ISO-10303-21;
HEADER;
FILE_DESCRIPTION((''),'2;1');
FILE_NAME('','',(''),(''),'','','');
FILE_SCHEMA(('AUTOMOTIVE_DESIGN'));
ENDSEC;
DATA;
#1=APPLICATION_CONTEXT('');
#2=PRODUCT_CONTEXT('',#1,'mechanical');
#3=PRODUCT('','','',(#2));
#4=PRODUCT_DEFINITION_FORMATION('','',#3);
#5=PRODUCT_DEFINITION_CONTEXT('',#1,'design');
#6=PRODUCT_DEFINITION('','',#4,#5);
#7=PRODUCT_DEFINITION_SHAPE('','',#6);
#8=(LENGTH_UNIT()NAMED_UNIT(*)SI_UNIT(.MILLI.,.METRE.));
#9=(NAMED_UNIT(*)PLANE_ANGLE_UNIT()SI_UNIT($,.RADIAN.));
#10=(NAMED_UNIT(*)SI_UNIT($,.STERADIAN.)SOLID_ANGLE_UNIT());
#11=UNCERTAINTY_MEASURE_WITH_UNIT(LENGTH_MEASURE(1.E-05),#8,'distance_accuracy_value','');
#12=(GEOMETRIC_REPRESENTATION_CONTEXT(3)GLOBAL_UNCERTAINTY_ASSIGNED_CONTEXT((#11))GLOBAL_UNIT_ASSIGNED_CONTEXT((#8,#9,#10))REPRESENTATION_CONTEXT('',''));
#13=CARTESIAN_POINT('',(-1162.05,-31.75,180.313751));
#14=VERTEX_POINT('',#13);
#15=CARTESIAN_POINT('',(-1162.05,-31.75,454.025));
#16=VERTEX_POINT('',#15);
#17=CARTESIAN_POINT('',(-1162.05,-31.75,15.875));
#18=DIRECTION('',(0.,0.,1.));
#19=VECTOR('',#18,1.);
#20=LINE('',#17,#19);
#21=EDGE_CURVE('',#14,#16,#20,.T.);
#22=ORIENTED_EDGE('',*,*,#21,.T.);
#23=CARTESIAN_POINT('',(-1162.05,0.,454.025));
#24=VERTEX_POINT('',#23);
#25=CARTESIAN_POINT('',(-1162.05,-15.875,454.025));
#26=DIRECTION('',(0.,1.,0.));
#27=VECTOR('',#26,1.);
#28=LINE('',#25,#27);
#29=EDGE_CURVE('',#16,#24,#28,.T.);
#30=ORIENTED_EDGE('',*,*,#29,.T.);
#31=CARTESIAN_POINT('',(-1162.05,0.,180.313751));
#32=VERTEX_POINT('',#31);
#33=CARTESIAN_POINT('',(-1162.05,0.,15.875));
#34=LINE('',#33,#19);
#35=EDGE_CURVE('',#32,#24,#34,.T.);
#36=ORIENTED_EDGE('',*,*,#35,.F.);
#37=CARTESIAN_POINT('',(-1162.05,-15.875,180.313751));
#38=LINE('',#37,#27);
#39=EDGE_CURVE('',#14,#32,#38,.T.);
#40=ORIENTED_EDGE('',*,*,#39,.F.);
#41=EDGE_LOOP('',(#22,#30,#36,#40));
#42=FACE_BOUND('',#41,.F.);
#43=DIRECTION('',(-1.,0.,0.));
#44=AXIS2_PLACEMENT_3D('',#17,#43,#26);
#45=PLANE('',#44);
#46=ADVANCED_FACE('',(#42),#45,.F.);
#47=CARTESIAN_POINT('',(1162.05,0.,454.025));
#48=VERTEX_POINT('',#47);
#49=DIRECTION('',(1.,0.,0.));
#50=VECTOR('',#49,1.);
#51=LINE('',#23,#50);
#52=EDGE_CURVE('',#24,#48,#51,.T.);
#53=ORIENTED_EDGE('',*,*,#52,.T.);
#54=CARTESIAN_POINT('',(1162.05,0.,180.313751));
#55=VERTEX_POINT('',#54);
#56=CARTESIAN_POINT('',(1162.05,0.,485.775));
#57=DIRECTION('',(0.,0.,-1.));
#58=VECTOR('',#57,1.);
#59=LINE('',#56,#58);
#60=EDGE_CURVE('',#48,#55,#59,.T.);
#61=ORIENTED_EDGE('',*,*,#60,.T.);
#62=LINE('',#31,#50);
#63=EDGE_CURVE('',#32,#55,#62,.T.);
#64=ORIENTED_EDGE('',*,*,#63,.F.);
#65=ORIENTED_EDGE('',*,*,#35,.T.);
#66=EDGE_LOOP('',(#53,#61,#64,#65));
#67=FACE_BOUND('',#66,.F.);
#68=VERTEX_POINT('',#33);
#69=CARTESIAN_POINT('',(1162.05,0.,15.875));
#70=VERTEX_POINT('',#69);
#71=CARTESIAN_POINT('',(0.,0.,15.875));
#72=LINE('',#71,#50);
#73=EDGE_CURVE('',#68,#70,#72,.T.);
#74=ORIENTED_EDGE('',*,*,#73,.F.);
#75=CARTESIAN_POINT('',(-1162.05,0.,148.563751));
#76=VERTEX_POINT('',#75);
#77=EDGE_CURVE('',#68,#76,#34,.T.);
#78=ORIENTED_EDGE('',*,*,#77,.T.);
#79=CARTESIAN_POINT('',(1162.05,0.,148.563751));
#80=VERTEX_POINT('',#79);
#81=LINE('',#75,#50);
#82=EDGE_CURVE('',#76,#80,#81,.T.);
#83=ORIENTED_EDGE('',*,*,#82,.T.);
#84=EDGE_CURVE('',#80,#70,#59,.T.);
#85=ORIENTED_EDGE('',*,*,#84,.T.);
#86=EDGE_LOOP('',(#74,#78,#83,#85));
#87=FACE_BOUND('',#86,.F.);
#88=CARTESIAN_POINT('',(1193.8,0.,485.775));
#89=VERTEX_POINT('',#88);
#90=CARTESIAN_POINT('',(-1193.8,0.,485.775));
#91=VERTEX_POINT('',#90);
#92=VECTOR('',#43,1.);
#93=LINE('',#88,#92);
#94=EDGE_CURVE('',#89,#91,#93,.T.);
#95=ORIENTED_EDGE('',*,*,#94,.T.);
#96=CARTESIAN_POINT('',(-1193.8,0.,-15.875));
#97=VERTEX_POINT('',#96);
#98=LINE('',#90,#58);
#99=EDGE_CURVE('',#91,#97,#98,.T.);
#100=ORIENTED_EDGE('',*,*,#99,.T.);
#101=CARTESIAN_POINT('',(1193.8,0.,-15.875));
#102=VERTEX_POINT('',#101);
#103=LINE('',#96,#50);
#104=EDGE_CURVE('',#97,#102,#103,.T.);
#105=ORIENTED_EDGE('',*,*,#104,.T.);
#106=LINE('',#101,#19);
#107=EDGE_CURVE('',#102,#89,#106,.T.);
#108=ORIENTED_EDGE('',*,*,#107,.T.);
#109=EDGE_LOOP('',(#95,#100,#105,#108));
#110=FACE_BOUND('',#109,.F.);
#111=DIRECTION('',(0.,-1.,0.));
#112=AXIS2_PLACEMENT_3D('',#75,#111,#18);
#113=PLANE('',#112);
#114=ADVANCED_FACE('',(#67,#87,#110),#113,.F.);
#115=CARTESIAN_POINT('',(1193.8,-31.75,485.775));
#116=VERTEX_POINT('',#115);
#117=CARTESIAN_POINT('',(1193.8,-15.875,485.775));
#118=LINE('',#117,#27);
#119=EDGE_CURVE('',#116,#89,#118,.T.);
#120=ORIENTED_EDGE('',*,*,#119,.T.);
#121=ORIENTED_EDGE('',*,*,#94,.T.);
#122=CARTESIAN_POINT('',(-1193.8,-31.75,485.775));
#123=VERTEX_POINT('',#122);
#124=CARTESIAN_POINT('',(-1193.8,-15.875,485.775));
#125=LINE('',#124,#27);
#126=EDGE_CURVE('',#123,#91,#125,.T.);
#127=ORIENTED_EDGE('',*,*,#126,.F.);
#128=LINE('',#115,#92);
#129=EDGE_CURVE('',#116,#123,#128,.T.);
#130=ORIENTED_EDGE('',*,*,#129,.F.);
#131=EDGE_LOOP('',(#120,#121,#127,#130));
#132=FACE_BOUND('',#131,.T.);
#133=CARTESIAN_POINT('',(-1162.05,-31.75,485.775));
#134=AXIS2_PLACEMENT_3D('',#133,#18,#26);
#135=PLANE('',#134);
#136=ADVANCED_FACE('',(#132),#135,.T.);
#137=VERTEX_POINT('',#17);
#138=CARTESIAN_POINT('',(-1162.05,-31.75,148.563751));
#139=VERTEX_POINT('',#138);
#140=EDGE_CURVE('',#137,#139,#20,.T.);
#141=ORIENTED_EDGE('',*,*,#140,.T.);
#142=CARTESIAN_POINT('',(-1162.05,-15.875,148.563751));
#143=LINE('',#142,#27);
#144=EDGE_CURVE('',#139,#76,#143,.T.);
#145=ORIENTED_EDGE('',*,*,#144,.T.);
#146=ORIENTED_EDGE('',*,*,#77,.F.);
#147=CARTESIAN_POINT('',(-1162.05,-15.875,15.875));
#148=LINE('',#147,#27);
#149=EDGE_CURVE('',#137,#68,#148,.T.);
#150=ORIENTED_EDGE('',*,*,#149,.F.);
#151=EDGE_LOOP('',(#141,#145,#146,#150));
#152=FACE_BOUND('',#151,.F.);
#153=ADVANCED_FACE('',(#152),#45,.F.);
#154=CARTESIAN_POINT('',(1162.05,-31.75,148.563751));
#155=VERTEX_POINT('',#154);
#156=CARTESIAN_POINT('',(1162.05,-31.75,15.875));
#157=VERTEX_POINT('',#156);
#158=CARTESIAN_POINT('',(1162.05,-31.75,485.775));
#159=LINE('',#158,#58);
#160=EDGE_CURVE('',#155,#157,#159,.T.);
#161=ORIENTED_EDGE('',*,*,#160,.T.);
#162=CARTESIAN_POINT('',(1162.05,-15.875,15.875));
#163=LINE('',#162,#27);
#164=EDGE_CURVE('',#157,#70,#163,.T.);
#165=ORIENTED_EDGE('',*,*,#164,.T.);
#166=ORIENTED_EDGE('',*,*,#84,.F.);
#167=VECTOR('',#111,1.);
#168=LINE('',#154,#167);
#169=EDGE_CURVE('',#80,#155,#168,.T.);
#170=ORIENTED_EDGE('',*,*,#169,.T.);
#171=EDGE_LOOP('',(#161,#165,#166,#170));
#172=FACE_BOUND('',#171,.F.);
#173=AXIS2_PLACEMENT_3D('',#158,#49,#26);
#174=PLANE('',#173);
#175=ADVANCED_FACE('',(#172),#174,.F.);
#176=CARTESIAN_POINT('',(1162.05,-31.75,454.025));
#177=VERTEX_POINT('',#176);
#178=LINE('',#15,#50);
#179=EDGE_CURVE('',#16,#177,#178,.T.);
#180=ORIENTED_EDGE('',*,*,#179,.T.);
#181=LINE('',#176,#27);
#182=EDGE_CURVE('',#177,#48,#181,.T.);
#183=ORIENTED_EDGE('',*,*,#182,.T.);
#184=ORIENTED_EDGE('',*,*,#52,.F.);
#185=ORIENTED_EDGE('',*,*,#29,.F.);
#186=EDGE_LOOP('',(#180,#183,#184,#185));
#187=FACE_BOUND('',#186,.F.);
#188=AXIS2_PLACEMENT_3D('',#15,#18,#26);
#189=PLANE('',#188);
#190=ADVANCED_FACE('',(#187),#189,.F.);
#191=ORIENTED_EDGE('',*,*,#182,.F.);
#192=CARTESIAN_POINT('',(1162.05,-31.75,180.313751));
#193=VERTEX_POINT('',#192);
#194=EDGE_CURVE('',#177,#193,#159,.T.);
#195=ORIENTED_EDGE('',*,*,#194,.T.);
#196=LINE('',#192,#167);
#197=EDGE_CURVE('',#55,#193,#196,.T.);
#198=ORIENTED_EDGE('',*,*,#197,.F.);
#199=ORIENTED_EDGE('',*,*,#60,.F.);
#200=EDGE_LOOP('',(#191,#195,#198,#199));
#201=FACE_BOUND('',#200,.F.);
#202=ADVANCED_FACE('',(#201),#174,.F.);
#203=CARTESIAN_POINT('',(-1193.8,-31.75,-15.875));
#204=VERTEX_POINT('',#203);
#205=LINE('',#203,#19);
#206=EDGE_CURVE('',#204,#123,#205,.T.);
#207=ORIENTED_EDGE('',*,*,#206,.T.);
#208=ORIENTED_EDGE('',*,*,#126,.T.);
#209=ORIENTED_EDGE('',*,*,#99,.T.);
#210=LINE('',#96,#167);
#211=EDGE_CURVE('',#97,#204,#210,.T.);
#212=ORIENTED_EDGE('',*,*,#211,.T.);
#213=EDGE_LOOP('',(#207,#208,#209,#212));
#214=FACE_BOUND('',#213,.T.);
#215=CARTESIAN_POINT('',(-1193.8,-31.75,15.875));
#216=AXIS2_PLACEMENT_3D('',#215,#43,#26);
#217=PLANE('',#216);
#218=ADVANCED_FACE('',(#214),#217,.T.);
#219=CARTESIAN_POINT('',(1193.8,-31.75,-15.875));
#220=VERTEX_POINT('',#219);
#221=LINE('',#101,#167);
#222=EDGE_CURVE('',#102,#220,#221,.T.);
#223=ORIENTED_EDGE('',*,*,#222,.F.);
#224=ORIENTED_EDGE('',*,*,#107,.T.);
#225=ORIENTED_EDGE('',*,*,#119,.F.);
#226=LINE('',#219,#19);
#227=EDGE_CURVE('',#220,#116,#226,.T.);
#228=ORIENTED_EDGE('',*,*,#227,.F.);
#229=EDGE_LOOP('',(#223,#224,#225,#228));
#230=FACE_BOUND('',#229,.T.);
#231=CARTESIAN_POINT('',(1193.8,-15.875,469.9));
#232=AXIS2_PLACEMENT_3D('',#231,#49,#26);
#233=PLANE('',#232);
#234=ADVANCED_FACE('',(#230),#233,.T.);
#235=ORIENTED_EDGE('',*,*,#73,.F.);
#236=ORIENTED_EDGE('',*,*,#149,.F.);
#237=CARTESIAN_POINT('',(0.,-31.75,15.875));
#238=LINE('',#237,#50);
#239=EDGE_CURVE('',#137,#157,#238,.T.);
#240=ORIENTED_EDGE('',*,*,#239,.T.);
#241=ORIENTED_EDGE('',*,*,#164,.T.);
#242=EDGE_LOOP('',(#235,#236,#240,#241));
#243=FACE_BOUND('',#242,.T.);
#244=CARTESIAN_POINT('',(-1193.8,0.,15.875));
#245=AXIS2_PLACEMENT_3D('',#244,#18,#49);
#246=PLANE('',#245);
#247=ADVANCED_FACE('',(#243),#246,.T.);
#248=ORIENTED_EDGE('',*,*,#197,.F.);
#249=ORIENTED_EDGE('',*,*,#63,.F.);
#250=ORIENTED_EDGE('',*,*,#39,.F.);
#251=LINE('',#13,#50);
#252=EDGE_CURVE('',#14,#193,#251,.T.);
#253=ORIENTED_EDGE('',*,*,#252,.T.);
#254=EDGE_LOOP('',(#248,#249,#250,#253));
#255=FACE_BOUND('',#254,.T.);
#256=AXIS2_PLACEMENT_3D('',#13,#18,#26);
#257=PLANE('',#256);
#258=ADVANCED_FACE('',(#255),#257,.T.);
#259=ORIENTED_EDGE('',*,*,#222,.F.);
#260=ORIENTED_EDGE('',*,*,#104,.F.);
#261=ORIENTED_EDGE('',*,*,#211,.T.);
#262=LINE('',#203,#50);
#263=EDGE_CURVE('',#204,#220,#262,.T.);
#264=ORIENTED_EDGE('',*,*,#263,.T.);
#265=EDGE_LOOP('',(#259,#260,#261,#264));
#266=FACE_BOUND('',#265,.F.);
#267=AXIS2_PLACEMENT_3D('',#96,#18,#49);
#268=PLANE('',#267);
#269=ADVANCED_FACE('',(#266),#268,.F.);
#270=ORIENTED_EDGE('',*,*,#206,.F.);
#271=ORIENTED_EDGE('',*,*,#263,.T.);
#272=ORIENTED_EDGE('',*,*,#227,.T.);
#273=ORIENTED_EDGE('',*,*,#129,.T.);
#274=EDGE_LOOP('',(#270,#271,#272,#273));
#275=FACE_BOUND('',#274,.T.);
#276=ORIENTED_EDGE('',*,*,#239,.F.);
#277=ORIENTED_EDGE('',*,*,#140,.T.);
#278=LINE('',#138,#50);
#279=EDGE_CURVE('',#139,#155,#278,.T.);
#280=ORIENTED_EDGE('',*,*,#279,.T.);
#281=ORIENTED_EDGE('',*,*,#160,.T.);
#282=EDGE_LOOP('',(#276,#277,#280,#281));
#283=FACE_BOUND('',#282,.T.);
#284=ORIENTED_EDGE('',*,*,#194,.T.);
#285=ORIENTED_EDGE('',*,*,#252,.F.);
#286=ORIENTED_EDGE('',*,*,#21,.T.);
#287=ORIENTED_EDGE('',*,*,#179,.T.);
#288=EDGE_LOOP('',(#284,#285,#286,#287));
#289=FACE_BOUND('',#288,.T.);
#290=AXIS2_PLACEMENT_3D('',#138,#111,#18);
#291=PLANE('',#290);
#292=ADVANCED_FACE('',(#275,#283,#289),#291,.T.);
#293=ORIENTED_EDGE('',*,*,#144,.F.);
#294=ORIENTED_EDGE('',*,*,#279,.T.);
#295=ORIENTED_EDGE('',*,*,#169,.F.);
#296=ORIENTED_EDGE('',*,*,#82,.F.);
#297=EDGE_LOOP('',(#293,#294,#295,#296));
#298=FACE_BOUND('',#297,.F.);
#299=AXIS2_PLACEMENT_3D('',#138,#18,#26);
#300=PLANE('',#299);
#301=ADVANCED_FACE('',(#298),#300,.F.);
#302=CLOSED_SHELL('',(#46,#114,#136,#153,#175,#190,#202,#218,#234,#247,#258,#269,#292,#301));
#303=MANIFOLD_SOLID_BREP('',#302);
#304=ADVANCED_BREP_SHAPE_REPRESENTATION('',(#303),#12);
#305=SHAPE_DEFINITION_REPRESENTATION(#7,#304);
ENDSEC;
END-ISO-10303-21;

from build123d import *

# Parameters (mm, degrees)
F0_W     = 2387.6
F0_H     = 31.75
F1_DEPTH = 31.75
F2_W     = 31.75
F2_H     = 31.75
F3_DEPTH = 469.9
F4_W     = 31.75
F4_H     = 31.75
F5_DEPTH = 2355.85
F6_W     = 31.75
F6_H     = 31.75
F7_DEPTH = 501.65
F8_W     = 31.75
F8_H     = 31.75
F9_DEPTH = 2336.8


with BuildPart() as f1:
    # F0 (on Front) → F1 (new body)
    with BuildSketch(Plane.XZ):
        Rectangle(F0_W, F0_H)
    extrude(amount=F1_DEPTH)

    # F2 (on face) → F3 (join)
    with BuildSketch(Plane.XY.offset(15.875)):
        with Locations((-1177.925, -15.875)):
            Rectangle(F2_W, F2_H)
    extrude(amount=F3_DEPTH)

    # F4 (on face) → F5 (join)
    with BuildSketch(Plane.YZ.offset(-1162.05)):
        with Locations((-15.875, 469.9)):
            Rectangle(F4_W, F4_H)
    extrude(amount=F5_DEPTH)

    # F6 (on face) → F7 (join)
    with BuildSketch(Plane.XY.offset(485.775)):
        with Locations((1177.925, -15.875)):
            Rectangle(F6_W, F6_H)
    extrude(amount=-F7_DEPTH)

    # F8 (on face) → F9 (join)
    with BuildSketch(Plane.YZ.offset(-1162.05)):
        with Locations((-15.875, 164.438751)):
            Rectangle(F8_W, F8_H)
    extrude(amount=F9_DEPTH)


solid = f1.part
